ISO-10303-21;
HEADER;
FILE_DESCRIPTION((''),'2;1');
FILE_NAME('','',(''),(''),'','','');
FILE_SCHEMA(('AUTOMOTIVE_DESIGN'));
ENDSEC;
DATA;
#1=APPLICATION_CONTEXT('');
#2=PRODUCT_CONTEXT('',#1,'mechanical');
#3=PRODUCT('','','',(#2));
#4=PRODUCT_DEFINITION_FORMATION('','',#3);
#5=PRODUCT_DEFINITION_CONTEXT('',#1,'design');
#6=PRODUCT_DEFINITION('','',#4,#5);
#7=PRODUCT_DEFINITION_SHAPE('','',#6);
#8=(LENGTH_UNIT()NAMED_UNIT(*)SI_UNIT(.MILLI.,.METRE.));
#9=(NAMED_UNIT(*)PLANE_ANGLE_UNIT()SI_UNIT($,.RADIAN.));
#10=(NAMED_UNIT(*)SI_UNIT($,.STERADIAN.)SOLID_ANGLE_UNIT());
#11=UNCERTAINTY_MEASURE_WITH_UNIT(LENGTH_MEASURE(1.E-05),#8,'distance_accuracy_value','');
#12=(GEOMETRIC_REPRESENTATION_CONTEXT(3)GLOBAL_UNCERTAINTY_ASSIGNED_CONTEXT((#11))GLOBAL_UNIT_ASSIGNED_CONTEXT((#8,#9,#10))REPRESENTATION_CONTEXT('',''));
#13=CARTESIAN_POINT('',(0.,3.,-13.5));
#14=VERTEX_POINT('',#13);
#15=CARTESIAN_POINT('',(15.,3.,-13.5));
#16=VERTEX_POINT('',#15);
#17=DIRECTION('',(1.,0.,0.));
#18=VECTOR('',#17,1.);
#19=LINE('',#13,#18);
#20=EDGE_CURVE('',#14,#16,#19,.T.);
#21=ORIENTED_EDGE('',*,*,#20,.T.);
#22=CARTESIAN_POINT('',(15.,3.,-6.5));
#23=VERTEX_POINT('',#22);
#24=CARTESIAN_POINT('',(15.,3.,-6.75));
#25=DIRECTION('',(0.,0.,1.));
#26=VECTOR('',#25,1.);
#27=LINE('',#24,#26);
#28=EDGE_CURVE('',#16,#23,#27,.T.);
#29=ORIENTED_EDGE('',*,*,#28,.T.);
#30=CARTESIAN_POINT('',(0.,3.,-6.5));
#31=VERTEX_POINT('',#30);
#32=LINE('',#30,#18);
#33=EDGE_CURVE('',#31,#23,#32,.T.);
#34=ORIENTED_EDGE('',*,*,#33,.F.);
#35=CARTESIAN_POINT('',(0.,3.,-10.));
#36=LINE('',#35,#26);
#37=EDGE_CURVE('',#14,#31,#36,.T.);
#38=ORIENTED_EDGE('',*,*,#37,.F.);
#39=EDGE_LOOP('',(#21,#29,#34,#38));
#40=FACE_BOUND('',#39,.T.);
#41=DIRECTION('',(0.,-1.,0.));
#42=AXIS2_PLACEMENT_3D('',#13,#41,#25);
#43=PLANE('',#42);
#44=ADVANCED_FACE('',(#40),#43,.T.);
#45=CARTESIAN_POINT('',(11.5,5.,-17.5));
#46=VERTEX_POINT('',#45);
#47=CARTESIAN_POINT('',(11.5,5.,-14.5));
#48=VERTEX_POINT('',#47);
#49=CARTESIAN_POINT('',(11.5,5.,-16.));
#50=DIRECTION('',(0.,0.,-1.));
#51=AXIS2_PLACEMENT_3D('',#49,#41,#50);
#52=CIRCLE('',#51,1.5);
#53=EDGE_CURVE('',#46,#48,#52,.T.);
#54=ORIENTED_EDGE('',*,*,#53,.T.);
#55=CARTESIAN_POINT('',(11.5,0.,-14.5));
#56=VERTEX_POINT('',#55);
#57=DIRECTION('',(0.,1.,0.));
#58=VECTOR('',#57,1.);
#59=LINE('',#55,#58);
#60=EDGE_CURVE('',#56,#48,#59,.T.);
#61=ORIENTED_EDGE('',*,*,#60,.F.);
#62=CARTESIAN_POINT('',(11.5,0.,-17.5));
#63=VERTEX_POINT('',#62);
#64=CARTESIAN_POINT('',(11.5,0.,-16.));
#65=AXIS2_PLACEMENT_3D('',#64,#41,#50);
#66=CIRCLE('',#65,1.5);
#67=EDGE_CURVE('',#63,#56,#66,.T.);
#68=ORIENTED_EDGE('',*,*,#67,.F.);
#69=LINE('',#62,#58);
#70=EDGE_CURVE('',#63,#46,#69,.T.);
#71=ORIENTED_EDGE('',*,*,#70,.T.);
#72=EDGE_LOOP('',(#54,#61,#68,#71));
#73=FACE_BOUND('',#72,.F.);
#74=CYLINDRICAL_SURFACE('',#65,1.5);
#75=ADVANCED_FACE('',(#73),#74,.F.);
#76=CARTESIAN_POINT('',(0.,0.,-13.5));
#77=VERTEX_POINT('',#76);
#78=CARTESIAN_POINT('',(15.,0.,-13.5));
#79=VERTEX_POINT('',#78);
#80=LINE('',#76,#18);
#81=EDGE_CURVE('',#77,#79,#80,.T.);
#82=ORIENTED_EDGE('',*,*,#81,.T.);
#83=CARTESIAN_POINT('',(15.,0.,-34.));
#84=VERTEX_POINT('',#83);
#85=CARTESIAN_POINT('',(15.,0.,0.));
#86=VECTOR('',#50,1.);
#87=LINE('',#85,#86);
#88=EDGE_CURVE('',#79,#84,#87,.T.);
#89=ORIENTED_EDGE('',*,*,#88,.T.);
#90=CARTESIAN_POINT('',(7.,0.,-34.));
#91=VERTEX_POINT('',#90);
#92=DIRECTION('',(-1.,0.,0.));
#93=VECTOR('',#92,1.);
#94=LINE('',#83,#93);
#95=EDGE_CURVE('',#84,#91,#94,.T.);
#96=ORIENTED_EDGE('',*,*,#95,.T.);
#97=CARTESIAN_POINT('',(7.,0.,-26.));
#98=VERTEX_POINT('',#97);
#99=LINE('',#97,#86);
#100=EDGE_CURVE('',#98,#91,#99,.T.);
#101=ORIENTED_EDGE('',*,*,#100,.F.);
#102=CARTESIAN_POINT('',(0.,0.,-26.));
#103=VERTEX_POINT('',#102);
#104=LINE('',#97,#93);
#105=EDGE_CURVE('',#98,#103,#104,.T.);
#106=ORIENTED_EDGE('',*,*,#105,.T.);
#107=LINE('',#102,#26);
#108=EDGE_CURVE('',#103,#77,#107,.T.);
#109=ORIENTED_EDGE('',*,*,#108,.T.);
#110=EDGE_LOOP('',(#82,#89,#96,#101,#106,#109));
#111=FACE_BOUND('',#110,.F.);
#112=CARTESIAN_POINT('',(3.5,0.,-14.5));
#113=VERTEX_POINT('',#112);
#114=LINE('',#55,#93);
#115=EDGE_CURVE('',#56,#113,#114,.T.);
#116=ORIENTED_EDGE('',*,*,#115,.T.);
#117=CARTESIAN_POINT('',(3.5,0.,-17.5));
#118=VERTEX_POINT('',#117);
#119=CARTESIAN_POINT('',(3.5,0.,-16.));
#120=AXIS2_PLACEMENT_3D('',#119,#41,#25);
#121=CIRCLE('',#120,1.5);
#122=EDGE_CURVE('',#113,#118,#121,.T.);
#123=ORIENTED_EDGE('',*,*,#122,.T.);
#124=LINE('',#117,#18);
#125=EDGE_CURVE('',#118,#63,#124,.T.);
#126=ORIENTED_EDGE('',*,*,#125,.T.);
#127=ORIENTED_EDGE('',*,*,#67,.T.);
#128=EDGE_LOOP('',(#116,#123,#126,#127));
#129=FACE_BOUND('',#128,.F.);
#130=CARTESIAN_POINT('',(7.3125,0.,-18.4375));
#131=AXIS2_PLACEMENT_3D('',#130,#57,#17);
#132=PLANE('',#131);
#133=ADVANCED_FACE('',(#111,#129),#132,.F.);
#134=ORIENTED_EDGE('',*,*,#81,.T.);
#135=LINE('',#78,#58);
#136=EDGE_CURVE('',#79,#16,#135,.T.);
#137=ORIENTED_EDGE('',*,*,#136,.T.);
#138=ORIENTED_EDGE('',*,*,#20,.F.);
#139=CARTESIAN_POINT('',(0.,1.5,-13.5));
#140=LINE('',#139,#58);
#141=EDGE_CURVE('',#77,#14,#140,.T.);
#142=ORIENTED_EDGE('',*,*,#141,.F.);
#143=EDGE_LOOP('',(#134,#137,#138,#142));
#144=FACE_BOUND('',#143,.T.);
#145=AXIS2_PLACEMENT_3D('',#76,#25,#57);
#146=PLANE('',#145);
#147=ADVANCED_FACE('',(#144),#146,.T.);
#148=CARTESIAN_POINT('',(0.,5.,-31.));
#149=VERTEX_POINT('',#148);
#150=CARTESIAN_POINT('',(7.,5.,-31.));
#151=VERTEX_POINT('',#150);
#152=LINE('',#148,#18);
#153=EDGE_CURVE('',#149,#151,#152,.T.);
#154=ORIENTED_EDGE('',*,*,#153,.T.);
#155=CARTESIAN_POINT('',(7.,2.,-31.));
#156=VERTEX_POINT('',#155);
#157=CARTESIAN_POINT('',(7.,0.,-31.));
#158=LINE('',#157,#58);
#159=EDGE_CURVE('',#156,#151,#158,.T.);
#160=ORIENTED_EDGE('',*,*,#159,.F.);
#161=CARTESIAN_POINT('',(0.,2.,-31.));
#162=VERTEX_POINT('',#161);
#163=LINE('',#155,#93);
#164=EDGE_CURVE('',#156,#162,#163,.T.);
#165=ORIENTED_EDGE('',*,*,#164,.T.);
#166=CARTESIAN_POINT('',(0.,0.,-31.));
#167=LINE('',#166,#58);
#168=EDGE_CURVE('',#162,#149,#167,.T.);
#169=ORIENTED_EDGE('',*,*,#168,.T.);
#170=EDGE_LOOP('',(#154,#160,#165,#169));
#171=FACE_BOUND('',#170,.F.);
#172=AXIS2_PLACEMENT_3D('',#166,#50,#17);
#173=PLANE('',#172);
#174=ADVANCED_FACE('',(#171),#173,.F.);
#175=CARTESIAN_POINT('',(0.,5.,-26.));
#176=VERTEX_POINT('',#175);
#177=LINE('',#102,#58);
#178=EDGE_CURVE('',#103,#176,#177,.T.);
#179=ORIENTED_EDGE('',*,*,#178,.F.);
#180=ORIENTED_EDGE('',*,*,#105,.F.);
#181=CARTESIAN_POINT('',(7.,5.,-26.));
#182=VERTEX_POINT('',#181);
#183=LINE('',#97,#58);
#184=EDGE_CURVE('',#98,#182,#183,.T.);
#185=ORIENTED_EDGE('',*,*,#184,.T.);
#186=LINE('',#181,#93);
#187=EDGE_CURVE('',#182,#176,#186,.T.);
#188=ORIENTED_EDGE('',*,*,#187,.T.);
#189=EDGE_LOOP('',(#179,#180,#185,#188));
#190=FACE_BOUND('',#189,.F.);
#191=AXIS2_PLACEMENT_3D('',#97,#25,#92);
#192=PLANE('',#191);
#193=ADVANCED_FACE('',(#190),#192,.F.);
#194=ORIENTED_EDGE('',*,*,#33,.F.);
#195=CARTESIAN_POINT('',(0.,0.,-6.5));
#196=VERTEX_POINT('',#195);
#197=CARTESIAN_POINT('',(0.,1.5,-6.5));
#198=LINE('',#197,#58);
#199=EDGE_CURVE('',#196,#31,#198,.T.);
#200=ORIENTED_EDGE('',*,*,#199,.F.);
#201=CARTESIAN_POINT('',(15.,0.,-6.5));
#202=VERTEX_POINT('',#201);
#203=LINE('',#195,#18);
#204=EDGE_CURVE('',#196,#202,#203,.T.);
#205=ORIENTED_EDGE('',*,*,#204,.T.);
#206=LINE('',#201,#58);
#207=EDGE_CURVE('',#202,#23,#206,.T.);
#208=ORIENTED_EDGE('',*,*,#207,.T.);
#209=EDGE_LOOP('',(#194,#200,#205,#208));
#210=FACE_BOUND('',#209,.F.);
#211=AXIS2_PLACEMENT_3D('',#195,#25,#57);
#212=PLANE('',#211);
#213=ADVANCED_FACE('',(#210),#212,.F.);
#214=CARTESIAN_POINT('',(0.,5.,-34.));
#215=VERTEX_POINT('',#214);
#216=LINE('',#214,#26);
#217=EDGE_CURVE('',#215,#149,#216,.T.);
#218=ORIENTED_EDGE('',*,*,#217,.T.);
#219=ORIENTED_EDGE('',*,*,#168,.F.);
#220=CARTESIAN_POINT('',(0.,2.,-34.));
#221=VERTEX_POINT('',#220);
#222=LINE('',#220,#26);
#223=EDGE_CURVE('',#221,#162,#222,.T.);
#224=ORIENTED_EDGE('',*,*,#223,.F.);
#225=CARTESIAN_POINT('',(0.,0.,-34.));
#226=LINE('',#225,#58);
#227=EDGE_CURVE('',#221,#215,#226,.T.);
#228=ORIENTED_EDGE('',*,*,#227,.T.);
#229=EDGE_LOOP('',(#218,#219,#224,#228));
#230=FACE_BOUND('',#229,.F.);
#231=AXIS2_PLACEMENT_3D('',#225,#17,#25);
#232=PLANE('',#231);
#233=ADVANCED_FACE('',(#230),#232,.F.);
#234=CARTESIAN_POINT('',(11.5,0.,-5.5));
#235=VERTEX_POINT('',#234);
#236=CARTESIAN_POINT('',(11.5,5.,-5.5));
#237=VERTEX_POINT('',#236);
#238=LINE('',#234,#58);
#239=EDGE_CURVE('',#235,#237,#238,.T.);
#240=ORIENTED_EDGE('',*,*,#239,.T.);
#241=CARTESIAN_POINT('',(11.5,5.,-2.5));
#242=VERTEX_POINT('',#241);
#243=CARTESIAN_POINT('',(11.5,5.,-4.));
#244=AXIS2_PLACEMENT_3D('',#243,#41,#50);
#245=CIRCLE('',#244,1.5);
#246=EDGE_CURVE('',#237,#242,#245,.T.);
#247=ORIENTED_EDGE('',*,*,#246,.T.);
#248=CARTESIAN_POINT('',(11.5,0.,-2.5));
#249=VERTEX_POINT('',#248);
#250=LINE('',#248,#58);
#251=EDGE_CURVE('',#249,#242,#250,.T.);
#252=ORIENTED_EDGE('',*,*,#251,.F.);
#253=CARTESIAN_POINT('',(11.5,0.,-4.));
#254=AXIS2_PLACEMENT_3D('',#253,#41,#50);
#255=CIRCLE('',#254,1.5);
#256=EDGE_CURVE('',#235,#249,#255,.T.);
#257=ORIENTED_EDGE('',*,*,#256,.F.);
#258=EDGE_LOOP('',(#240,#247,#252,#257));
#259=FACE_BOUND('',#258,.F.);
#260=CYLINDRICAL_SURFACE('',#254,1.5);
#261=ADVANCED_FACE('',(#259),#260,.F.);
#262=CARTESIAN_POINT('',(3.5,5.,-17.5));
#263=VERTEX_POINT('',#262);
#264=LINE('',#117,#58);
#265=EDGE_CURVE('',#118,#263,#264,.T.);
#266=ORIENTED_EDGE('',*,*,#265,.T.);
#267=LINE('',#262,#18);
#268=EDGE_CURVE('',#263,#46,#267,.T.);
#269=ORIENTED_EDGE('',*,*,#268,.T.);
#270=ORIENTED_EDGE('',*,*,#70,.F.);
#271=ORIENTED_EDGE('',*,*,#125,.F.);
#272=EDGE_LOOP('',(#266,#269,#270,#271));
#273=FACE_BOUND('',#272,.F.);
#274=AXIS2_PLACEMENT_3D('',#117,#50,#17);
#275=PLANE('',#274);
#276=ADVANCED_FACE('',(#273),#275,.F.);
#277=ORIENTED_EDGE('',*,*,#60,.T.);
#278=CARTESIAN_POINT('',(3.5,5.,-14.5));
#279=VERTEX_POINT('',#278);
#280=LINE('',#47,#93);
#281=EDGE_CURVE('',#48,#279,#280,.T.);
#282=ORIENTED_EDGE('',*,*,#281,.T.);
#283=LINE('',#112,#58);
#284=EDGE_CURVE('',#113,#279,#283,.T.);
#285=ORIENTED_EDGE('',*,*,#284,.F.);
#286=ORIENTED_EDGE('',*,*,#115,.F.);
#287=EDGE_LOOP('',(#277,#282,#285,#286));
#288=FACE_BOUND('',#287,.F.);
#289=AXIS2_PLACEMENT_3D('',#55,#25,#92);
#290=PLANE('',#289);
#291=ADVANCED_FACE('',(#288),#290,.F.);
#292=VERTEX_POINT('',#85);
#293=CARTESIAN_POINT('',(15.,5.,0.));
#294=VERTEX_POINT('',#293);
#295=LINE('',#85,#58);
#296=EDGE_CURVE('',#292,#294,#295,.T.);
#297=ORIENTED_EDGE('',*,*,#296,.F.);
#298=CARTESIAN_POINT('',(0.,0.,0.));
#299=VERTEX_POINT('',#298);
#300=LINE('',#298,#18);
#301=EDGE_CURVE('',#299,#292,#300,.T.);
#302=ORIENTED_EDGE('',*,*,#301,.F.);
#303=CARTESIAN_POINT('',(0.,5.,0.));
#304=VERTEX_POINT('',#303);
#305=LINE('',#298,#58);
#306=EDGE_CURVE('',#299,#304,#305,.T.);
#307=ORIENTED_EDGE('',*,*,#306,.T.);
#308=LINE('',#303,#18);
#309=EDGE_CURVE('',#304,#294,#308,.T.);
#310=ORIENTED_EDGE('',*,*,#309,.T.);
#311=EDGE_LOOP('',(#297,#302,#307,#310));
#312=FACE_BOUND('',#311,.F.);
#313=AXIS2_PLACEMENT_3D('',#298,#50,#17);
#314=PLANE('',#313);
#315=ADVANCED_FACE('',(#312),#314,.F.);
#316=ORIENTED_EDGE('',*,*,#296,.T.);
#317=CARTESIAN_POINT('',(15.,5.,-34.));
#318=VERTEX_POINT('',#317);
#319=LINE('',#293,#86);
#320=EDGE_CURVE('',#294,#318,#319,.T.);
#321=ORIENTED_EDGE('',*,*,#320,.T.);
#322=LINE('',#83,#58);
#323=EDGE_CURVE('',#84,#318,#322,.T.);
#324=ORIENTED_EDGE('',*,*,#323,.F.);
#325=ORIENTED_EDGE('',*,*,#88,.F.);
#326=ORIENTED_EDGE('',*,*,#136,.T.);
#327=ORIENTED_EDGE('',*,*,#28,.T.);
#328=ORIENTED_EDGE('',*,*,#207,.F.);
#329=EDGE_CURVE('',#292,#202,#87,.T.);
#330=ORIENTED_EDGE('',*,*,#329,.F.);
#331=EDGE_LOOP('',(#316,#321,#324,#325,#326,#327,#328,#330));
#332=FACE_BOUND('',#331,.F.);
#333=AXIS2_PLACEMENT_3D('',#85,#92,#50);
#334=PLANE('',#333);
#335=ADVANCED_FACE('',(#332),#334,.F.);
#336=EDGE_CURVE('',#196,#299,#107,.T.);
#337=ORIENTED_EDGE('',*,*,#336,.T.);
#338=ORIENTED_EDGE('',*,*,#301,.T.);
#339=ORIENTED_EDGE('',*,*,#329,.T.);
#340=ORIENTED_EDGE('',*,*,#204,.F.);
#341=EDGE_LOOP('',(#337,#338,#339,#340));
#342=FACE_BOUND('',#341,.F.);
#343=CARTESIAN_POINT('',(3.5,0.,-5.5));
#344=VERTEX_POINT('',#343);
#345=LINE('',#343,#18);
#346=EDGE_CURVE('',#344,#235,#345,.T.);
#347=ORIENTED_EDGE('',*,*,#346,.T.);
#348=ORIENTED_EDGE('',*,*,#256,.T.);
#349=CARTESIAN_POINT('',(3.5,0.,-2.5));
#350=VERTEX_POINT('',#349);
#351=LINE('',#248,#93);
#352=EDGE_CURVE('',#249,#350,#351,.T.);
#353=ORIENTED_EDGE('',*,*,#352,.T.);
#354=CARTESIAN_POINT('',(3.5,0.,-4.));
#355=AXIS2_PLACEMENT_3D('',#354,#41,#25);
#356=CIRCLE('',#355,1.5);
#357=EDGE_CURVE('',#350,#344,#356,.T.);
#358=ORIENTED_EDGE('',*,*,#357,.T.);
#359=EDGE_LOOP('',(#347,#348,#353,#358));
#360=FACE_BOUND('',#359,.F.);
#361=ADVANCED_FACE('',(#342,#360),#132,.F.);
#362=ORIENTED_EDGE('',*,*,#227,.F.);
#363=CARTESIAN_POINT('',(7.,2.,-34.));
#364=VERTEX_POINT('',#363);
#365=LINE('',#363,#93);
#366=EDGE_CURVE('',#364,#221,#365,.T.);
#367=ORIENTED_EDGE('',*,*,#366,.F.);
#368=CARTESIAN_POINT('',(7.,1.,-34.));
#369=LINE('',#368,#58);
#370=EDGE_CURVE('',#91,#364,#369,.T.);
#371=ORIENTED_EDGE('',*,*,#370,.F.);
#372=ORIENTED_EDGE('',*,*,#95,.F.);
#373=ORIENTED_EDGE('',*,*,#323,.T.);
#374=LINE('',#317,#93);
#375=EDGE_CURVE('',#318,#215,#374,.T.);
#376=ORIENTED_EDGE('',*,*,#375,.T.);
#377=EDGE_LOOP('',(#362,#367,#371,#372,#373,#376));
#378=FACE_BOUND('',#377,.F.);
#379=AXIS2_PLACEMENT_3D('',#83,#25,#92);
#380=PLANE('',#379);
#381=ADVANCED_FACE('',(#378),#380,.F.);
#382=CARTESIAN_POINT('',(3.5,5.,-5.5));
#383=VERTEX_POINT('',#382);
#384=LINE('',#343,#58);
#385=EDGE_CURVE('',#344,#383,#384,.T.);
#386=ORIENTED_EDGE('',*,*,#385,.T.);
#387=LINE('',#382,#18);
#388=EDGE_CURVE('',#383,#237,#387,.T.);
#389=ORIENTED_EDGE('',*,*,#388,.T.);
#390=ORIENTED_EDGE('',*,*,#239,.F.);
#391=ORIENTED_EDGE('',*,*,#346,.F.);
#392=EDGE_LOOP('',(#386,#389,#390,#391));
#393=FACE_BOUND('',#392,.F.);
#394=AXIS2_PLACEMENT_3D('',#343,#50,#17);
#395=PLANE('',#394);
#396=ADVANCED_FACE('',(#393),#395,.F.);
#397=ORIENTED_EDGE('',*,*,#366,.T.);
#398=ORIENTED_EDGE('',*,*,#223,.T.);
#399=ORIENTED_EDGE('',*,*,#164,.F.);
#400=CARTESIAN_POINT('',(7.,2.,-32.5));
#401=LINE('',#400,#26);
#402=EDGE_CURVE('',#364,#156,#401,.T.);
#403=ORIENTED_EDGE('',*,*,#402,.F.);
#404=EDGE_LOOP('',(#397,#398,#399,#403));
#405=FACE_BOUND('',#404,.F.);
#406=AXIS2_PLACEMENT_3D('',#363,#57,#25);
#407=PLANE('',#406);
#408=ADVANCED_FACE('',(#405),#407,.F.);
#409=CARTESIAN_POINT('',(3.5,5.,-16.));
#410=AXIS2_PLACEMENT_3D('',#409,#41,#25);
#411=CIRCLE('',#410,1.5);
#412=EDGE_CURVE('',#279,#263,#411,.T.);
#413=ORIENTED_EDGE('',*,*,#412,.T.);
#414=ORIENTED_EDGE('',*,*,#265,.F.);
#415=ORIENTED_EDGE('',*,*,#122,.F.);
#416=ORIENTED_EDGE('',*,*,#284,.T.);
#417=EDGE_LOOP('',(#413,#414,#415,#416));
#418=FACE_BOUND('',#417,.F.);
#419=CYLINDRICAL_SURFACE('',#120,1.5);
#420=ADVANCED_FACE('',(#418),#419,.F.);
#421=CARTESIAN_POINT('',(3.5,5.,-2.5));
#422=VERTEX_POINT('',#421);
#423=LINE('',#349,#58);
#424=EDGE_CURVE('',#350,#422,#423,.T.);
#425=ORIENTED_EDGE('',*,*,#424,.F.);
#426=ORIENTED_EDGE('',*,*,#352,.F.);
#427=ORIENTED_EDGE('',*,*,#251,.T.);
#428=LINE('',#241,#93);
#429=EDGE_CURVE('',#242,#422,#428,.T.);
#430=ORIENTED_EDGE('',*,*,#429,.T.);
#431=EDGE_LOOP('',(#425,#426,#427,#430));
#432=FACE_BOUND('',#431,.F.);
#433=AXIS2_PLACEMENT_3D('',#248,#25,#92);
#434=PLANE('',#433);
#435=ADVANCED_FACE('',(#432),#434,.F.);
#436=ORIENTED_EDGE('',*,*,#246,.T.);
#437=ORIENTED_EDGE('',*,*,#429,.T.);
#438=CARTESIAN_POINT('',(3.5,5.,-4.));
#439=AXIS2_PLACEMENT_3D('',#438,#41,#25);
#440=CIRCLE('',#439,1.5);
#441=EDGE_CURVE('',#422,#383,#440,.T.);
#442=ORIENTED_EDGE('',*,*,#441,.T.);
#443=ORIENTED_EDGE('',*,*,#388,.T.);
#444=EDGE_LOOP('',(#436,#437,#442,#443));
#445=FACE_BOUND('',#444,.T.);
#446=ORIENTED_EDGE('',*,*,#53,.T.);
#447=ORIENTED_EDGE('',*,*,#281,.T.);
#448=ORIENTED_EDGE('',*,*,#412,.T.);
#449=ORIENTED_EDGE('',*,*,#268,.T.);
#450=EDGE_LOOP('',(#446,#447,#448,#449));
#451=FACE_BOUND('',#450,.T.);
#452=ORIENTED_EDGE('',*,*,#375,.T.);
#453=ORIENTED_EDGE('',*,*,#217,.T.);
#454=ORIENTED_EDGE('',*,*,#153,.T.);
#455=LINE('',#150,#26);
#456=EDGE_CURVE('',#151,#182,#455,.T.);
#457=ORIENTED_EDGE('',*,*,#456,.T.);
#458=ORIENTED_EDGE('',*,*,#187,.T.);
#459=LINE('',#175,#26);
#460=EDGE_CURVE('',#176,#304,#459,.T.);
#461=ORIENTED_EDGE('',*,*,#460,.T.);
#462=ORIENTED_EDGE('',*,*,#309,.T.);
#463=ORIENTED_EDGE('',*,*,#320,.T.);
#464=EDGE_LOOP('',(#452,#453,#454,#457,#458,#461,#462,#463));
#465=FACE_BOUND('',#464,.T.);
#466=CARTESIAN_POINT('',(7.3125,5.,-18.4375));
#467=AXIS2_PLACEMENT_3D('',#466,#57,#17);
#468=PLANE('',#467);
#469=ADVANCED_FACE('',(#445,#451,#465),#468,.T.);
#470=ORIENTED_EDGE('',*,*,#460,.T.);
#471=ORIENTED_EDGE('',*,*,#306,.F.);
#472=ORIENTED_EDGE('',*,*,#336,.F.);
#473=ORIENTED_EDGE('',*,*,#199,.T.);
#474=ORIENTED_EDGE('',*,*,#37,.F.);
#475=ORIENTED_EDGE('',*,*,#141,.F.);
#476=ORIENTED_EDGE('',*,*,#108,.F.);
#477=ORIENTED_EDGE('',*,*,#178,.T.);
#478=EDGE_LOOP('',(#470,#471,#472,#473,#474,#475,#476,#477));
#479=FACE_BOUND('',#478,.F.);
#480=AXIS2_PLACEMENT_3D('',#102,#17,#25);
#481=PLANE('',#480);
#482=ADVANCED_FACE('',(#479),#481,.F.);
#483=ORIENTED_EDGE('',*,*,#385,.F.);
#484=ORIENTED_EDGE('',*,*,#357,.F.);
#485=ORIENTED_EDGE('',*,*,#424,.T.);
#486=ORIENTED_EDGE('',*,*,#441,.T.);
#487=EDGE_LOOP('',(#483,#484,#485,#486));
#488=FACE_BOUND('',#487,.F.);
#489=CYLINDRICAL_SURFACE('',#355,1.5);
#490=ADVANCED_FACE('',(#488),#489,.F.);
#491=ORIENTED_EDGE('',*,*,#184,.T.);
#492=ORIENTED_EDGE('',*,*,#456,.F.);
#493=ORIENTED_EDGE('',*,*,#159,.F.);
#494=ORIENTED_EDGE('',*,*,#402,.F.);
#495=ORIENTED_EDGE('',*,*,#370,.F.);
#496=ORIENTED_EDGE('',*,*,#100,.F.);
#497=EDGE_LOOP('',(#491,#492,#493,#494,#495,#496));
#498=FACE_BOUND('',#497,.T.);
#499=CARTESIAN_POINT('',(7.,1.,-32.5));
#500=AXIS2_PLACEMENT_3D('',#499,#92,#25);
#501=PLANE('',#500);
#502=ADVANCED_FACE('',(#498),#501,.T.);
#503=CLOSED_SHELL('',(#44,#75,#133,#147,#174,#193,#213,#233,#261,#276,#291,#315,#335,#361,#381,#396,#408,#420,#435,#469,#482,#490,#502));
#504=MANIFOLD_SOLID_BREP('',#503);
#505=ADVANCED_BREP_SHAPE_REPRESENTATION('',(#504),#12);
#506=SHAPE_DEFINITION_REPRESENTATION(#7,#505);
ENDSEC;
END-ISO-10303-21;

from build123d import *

# Parameters (mm, degrees)
EXTRUDE_1_DEPTH     = 5
SKETCH_2_W          = 7
SKETCH_2_H          = 3
CUT_EXTRUDE_1_DEPTH = 16
SKETCH_3_W          = 3
SKETCH_3_H          = 2
CUT_EXTRUDE_2_DEPTH = 12


with BuildPart() as part:
    # 草图1 → 凸台-拉伸1 (new body)
    with BuildSketch(Plane(origin=(0, 0, 0), x_dir=(1, 0, 0), z_dir=(0, 1, 0))):
        Polygon((15, 34), (0, 34), (0, 31), (7, 31), (7, 26), (0, 26), (0, 0), (15, 0), align=None)
        with BuildLine():
            ThreePointArc((3.5, 2.5), (2, 4), (3.5, 5.5))
            Line((3.5, 5.5), (11.5, 5.5))
            ThreePointArc((11.5, 5.5), (13, 4), (11.5, 2.5))
            Line((11.5, 2.5), (3.5, 2.5))
        make_face(mode=Mode.SUBTRACT)
        with BuildLine():
            ThreePointArc((3.5, 14.5), (2, 16), (3.5, 17.5))
            Line((3.5, 17.5), (11.5, 17.5))
            ThreePointArc((11.5, 17.5), (13, 16), (11.5, 14.5))
            Line((11.5, 14.5), (3.5, 14.5))
        make_face(mode=Mode.SUBTRACT)
    extrude(amount=EXTRUDE_1_DEPTH)

    # 草图2 → 切除-拉伸1 (cut, through all)
    with BuildSketch(Plane.ZY):
        with Locations((-10, 1.5)):
            Rectangle(SKETCH_2_W, SKETCH_2_H)
    extrude(amount=-CUT_EXTRUDE_1_DEPTH, mode=Mode.SUBTRACT)

    # 草图3 → 切除-拉伸2 (cut)
    with BuildSketch(Plane.ZY.offset(-7)):
        with Locations((-32.5, 1)):
            Rectangle(SKETCH_3_W, SKETCH_3_H)
    extrude(amount=CUT_EXTRUDE_2_DEPTH, mode=Mode.SUBTRACT)


solid = part.part
